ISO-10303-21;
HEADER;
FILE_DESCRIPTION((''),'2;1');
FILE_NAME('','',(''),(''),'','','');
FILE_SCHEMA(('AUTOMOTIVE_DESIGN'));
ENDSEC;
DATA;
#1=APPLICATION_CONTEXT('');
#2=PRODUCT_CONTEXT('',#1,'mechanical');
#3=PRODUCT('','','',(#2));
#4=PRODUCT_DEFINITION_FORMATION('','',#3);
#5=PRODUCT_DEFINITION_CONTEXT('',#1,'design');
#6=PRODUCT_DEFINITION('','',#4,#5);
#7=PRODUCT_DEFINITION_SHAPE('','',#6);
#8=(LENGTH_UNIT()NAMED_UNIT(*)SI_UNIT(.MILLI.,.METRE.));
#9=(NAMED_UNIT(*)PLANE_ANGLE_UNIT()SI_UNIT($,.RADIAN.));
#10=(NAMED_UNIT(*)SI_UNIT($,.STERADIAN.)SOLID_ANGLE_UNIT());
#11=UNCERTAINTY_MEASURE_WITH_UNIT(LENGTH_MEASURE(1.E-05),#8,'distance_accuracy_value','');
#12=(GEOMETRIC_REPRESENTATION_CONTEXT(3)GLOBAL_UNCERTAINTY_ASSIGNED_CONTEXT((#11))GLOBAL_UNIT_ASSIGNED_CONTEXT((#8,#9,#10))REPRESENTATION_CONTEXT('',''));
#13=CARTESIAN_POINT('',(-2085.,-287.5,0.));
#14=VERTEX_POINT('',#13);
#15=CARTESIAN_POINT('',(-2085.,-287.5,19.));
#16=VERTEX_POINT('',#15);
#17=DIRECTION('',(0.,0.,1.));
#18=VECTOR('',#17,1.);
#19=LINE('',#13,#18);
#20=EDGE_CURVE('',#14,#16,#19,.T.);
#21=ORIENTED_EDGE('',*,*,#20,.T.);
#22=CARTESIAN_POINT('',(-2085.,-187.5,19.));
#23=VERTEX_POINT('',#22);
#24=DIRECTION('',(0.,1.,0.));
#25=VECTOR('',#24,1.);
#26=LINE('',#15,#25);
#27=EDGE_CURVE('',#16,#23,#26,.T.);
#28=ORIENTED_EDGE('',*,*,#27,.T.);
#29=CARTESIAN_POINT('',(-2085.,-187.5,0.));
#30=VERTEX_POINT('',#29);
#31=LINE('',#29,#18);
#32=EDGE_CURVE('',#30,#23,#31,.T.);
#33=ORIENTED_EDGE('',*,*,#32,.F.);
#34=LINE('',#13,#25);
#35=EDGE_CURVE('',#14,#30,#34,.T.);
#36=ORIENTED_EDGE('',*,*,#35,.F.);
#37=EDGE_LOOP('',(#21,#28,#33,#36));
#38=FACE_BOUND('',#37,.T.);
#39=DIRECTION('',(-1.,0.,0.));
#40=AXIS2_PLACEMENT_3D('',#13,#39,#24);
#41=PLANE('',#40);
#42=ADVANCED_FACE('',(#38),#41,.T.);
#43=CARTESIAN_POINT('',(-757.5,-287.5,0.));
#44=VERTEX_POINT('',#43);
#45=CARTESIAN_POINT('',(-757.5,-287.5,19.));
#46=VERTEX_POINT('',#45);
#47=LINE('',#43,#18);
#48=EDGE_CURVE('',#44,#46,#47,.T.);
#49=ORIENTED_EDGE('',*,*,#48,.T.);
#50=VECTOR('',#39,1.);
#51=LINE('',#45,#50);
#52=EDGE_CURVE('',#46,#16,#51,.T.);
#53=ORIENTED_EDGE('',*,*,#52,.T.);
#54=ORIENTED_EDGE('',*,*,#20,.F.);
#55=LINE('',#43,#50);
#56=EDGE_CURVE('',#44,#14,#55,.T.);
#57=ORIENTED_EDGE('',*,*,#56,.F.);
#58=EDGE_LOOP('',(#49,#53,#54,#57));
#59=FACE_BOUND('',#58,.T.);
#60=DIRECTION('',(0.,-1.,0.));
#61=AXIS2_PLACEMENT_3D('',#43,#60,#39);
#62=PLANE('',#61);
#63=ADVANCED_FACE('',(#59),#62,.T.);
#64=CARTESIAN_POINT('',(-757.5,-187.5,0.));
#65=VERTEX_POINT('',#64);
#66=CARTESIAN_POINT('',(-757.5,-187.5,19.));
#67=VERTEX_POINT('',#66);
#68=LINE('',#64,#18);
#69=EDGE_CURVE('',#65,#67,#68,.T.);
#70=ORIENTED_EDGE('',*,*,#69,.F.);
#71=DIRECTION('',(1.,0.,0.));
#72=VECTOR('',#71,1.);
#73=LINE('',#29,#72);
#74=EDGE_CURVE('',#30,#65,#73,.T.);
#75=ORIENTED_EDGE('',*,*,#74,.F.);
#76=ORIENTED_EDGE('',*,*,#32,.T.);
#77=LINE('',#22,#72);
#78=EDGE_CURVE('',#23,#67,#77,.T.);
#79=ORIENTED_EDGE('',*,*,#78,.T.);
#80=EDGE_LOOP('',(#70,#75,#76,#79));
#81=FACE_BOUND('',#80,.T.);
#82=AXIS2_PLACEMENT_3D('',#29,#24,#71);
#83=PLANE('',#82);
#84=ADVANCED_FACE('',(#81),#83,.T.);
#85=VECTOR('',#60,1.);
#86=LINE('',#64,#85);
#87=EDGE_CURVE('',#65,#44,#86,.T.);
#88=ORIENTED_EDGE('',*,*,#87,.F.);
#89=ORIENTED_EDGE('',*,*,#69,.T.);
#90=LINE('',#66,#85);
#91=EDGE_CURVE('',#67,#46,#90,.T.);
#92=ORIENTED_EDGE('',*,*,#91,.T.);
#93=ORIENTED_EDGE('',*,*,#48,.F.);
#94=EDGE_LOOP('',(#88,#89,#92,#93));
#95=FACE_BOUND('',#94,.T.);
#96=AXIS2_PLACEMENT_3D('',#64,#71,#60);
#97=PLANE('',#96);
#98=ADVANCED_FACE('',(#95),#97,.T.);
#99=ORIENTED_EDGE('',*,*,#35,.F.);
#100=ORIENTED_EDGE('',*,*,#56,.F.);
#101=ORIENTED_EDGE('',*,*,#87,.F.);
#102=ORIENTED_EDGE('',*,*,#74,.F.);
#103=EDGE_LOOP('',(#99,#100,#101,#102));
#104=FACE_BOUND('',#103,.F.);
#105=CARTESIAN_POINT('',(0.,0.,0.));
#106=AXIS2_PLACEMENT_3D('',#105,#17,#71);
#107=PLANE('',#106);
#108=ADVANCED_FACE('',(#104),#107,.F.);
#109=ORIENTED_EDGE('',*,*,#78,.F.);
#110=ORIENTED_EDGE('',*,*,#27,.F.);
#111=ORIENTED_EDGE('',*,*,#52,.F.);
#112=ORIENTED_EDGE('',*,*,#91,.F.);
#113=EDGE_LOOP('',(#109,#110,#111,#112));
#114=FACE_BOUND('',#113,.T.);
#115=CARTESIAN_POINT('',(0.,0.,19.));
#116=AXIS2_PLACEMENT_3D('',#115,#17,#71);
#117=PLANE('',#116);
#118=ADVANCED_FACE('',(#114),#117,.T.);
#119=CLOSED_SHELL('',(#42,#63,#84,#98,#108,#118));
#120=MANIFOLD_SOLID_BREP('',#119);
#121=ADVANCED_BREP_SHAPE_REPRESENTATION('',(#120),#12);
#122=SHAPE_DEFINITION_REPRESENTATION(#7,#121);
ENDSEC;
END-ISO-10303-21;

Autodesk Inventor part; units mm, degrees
ref_plane "YZ Plane" through (0, 0, 0) normal (1, 0, 0) x (0, 1, 0)
ref_plane "XZ Plane" through (0, 0, 0) normal (0, 1, 0) x (-1, 0, 0)
ref_plane "Work Plane1" through (0, 0, 0) normal (0, 0, 1) x (1, 0, 0)
sketch "Sketch1" plane through (0, 0, 0) normal (0, 0, 1) x (1, 0, 0)
  line L0 (-2085, -287.5) -> (-607.5, -287.5) construction
  line L1 (-2085, -287.5) -> (-2085, 862.5) construction
  line L2 (-2085, -187.5) -> (-1905, -187.5) construction
  line L3 (-757.5, -187.5) -> (-757.5, -387.5) construction
  line L4 (-2085, -187.5) -> (-757.5, -187.5)
  line L5 (-757.5, -187.5) -> (-757.5, -287.5)
  line L6 (-757.5, -287.5) -> (-2085, -287.5)
  line L7 (-2085, -287.5) -> (-2085, -187.5)
  point P0 (0, 0)
ref_plane "Work Plane2" through (-2100, -287.5, 19) normal (0, 0, 1) x (1, 0, 0)
extrude "Extrusion1" add sketch "Sketch1" along normal up to surface (19 mm away)
properties part number "Hidder_Right" material "MDF Medium Density Fiberboard"
